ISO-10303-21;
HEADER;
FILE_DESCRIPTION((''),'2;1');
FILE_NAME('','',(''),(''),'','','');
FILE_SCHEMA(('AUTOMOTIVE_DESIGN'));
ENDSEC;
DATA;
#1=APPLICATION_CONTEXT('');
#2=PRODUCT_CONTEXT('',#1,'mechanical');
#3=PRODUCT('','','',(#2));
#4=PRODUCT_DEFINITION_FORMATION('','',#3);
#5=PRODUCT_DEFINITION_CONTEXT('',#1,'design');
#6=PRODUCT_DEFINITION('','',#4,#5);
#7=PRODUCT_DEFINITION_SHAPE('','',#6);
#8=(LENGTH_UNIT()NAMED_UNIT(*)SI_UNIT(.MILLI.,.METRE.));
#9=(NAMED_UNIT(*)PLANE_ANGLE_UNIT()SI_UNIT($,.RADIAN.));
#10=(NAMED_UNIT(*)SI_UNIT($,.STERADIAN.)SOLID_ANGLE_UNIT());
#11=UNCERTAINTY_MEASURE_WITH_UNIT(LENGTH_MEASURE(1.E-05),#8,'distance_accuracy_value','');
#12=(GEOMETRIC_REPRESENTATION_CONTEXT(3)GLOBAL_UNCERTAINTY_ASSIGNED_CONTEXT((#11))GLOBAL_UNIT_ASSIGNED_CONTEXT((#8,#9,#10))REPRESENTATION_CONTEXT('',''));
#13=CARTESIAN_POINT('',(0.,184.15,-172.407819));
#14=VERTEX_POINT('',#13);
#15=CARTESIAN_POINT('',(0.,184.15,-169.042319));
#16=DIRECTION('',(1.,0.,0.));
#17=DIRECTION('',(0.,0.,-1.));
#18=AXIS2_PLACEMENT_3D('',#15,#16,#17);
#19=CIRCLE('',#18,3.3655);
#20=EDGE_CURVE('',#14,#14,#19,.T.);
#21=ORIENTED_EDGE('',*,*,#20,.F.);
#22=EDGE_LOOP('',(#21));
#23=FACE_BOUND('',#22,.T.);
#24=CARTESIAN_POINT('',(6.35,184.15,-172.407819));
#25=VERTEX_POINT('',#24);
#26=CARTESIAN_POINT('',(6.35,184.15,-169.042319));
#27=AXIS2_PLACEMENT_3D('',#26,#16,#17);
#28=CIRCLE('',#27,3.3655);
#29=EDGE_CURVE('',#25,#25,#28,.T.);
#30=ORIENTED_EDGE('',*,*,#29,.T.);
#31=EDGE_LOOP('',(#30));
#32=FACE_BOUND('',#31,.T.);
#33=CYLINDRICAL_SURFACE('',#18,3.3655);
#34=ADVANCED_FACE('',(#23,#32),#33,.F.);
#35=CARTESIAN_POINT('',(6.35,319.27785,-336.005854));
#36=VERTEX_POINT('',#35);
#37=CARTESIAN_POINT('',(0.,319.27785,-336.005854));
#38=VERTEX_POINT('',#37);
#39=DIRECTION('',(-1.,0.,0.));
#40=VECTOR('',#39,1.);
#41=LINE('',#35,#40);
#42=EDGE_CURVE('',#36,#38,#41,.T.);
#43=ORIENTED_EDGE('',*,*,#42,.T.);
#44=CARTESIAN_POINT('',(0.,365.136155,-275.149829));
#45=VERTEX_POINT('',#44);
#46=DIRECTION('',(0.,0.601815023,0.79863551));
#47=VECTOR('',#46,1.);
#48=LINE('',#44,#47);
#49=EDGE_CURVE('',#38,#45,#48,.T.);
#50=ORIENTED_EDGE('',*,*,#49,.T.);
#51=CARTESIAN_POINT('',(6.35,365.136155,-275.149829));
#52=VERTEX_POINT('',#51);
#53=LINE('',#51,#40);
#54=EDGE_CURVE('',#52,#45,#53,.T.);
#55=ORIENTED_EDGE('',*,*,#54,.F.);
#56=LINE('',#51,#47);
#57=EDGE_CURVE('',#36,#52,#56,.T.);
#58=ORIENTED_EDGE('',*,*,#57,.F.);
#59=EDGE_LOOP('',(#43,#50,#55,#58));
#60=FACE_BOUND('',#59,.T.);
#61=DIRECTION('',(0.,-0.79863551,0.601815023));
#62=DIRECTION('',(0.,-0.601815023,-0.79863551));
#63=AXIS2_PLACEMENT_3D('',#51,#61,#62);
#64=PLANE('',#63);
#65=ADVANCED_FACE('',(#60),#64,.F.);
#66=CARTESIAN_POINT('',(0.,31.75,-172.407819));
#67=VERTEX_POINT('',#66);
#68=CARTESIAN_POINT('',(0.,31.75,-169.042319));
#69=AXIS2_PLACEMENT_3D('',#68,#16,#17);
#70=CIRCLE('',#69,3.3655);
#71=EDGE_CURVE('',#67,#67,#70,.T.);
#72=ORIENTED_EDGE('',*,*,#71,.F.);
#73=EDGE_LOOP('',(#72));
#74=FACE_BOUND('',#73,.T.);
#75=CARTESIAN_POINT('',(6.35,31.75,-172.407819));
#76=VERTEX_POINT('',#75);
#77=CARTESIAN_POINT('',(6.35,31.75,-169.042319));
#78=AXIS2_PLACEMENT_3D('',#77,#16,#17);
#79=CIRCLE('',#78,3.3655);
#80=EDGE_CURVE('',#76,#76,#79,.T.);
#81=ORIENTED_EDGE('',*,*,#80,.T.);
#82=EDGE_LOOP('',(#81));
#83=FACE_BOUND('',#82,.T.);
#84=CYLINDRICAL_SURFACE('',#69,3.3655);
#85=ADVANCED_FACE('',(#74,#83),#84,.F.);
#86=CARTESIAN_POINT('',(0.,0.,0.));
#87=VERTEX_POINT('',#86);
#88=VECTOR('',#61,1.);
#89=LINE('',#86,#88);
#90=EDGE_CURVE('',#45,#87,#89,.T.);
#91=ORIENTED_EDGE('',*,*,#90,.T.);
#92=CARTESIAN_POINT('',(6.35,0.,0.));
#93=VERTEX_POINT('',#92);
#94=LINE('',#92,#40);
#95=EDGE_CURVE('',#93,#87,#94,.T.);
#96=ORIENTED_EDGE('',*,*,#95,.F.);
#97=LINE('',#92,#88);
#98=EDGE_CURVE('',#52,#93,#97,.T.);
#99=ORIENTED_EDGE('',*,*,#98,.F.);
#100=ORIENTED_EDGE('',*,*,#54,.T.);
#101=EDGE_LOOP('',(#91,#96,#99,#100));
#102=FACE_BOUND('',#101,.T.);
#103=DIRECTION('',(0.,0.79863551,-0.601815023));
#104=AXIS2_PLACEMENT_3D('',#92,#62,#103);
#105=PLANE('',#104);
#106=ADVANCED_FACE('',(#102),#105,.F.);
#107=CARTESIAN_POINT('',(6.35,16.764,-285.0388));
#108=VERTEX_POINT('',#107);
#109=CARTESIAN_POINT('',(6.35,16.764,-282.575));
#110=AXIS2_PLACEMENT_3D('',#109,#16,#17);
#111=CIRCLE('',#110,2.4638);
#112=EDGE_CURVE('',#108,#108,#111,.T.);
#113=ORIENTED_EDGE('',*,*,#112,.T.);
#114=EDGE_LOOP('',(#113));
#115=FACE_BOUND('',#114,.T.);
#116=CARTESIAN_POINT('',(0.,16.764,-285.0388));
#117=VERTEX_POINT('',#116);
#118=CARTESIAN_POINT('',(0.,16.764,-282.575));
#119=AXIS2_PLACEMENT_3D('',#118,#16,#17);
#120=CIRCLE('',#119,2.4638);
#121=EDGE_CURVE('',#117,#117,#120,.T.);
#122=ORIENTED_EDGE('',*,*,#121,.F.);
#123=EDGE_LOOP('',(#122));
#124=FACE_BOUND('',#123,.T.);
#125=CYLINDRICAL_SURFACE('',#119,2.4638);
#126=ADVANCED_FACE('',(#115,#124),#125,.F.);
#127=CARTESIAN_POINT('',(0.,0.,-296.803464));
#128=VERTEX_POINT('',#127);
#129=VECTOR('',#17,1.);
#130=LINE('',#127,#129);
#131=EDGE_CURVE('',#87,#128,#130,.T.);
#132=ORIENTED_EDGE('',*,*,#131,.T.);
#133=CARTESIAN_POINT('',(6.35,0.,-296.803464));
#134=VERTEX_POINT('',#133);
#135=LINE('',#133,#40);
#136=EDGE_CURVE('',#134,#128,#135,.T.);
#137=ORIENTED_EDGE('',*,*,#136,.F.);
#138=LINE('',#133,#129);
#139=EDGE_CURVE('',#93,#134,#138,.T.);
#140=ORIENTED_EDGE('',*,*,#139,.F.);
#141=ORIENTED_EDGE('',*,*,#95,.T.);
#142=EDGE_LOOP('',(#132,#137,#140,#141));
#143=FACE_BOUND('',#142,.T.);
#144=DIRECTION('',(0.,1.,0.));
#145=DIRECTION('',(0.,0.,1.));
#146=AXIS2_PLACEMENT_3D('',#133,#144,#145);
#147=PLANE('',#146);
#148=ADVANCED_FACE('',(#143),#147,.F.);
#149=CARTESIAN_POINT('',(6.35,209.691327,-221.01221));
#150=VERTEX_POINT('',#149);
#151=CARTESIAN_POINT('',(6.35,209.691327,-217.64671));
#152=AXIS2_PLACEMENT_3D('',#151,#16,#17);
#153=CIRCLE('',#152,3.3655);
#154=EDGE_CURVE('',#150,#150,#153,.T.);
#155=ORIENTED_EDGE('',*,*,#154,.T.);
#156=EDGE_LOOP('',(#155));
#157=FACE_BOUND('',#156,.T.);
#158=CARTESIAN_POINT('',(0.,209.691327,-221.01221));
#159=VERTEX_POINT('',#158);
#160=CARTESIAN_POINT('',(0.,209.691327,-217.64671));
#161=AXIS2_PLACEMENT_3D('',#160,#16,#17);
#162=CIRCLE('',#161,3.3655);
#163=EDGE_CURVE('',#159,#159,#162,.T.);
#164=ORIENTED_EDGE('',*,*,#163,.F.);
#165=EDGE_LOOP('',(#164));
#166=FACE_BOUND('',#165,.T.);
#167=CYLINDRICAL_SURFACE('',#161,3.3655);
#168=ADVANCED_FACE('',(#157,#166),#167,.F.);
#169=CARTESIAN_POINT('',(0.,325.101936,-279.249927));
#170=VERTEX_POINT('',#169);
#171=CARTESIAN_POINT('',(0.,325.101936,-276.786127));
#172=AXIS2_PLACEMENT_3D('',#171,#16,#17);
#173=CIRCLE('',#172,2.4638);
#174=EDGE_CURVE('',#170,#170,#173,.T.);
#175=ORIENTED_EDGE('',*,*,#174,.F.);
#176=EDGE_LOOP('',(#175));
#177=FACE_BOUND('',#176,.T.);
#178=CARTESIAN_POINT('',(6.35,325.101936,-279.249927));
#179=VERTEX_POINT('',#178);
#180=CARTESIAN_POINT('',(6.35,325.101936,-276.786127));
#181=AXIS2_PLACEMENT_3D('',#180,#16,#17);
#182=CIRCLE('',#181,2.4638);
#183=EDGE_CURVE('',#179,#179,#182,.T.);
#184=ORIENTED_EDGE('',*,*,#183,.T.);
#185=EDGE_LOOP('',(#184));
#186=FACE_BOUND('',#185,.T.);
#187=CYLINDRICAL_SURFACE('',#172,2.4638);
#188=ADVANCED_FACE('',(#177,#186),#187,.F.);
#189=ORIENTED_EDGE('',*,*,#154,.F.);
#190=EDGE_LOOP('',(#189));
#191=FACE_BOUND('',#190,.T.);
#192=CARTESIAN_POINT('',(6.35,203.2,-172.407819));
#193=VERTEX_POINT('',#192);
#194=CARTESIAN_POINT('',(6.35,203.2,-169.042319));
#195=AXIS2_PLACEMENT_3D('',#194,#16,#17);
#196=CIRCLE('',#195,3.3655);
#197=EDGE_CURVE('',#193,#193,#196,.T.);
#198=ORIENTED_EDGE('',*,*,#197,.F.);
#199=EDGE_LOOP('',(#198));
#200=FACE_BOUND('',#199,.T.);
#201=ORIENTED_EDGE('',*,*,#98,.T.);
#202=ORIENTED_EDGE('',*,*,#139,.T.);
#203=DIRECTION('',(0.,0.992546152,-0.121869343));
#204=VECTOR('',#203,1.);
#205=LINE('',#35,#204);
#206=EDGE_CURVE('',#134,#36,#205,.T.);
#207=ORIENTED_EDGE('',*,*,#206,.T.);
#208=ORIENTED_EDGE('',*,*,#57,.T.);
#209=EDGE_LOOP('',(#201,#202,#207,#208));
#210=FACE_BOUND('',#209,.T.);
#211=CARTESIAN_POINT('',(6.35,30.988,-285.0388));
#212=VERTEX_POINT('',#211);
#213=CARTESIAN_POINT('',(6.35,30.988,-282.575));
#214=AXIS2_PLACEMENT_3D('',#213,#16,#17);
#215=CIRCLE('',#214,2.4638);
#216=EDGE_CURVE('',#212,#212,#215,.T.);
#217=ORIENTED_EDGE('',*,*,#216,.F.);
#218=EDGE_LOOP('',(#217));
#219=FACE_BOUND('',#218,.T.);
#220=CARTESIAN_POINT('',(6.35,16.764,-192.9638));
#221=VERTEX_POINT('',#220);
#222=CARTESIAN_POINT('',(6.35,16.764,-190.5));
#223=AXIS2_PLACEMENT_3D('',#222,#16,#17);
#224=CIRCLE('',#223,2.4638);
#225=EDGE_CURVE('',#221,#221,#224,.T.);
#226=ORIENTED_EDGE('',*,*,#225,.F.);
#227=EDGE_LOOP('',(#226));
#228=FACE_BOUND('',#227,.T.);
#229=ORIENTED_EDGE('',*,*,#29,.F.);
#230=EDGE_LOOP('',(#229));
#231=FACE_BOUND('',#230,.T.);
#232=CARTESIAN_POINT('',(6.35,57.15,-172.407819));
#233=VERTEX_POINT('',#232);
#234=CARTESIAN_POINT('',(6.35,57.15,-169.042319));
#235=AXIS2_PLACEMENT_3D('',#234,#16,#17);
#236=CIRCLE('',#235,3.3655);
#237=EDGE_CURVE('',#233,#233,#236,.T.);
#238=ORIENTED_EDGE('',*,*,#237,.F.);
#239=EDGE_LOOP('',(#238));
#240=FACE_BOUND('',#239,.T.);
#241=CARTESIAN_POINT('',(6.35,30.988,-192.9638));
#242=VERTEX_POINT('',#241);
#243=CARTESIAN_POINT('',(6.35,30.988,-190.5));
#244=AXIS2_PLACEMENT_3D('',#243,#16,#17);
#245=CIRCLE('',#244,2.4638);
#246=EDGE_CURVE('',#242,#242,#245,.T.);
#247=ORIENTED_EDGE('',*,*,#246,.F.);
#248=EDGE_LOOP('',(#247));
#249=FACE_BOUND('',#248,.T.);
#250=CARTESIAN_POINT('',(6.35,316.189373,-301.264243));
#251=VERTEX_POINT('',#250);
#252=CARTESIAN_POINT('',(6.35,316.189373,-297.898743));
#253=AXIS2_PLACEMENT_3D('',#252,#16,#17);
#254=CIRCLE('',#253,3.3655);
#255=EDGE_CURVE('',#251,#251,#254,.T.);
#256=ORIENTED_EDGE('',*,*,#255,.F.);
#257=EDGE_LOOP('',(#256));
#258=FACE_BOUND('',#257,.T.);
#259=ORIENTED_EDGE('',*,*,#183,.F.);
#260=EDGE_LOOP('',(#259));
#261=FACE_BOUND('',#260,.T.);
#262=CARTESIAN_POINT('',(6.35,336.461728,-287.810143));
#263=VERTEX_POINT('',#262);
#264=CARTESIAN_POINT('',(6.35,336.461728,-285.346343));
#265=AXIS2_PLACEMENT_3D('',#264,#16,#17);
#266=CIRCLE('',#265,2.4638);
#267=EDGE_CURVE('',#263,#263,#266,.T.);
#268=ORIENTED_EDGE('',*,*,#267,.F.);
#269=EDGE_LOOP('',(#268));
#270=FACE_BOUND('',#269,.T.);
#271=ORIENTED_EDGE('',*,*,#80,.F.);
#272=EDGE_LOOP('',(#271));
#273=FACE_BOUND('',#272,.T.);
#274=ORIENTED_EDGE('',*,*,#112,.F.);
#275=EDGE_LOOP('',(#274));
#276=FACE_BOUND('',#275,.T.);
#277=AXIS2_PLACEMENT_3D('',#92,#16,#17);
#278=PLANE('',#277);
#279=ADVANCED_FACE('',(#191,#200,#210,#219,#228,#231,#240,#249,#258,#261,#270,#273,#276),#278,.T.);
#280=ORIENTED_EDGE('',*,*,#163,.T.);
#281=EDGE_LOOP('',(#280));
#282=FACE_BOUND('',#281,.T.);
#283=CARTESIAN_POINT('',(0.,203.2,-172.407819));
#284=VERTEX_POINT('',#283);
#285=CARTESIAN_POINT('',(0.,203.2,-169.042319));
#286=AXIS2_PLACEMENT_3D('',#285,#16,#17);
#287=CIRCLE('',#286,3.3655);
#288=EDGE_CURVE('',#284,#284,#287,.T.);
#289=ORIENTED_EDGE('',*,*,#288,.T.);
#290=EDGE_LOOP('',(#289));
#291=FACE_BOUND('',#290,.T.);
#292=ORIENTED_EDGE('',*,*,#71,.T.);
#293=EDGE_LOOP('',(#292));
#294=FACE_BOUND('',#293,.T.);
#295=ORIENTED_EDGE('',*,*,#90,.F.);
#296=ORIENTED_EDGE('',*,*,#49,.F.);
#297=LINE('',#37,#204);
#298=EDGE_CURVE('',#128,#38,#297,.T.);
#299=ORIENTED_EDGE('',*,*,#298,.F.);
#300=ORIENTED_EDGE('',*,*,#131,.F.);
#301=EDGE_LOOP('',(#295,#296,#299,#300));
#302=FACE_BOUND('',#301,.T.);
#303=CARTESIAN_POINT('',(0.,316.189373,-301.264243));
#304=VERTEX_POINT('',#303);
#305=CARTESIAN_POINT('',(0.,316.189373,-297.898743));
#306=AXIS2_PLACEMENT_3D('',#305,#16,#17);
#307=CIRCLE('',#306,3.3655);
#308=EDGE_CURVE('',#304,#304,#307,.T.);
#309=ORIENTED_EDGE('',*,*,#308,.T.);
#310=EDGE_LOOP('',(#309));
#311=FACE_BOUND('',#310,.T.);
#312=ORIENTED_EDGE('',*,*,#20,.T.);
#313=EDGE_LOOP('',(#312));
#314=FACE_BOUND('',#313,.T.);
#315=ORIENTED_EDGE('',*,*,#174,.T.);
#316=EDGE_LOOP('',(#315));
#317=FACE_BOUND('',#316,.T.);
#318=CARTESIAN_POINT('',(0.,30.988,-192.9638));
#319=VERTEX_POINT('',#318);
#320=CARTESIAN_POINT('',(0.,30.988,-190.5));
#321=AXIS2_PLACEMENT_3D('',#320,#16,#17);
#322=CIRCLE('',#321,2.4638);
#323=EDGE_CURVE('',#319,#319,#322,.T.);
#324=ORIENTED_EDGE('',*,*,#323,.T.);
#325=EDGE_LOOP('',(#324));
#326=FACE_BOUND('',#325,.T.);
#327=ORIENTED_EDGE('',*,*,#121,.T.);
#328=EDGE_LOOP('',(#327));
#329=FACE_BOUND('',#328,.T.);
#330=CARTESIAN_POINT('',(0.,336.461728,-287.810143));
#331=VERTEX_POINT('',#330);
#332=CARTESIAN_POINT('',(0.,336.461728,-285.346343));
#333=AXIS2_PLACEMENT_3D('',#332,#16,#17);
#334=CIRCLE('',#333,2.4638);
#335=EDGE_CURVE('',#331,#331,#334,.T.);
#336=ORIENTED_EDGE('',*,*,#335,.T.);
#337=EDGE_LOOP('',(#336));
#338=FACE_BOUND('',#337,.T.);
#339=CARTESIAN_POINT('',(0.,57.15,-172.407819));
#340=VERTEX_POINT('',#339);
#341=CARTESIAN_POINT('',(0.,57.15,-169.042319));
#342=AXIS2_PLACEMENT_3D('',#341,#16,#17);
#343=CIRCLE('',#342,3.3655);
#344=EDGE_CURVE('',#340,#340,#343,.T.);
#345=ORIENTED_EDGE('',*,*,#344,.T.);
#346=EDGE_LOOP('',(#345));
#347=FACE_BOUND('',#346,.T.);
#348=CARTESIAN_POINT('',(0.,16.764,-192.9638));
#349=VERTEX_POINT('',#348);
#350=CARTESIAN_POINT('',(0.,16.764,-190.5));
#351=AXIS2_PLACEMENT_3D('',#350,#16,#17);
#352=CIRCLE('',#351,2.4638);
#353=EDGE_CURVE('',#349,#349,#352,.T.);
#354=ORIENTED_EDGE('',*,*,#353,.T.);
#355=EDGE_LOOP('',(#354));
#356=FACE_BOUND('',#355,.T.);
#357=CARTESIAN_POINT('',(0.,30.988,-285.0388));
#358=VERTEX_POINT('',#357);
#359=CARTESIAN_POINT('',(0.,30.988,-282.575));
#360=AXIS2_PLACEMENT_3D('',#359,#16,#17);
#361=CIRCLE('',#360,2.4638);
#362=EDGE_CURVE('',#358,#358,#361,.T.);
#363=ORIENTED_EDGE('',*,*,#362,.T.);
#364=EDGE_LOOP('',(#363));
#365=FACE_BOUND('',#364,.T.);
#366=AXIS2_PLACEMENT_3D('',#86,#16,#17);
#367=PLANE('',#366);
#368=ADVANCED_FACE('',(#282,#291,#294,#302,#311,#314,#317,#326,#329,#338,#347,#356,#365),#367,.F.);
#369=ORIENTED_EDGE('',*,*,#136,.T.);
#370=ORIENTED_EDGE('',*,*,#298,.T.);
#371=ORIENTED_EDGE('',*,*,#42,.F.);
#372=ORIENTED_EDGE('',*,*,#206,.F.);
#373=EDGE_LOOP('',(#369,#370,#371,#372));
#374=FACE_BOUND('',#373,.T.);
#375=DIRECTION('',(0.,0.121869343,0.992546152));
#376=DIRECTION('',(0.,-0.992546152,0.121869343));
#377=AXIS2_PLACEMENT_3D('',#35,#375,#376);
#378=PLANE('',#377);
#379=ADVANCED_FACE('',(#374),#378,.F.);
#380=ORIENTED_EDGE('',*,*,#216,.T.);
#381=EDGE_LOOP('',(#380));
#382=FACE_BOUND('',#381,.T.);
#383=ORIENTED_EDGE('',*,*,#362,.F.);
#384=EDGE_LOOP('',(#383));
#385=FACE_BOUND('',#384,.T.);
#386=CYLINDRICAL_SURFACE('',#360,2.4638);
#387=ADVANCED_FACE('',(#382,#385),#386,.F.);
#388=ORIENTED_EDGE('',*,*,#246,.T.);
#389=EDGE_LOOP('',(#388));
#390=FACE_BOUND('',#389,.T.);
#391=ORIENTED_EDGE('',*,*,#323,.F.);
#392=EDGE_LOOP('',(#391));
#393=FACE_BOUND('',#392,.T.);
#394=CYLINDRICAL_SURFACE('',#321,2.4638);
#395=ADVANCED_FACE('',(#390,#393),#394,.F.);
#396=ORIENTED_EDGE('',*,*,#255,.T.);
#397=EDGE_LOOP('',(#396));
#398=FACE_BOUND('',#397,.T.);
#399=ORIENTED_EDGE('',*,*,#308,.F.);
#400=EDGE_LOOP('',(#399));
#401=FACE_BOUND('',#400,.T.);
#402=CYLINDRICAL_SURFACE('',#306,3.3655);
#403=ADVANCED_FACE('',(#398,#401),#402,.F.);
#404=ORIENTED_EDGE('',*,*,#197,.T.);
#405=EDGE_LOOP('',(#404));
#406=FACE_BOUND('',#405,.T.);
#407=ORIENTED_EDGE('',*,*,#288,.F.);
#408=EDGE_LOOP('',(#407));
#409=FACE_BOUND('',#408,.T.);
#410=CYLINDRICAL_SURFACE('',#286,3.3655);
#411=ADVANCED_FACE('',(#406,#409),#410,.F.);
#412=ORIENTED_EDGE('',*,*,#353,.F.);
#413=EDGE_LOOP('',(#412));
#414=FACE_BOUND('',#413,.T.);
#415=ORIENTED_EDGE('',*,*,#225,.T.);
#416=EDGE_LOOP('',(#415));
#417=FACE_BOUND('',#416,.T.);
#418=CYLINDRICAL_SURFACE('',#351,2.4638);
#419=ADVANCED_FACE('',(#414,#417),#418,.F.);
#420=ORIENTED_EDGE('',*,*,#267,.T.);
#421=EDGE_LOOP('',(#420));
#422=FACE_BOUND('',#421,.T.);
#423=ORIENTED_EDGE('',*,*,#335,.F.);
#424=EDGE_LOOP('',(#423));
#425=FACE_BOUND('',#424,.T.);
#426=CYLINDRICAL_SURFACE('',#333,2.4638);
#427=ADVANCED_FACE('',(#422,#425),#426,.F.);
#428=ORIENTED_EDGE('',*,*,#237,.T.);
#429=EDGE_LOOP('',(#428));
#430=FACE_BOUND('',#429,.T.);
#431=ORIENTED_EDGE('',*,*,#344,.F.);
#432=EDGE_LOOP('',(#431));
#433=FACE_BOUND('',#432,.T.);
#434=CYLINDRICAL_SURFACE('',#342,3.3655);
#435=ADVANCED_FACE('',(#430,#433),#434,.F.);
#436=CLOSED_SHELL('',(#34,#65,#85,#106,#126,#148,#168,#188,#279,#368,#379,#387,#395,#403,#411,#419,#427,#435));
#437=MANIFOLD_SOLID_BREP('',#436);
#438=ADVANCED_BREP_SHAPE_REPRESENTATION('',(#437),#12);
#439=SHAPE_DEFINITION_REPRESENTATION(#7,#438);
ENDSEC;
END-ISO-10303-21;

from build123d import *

# Parameters (mm, degrees)
BOSS_EXTRUDE1_DEPTH = 6.35
SKETCH2_R           = 3.3655
CUT_EXTRUDE1_DEPTH  = 7.35
SKETCH3_R           = 2.4638
CUT_EXTRUDE2_DEPTH  = 7.35
SKETCH4_R           = 3.3655
CUT_EXTRUDE3_DEPTH  = 7.35


with BuildPart() as part:
    # Sketch1 → Boss-Extrude1 (new body)
    with BuildSketch(Plane(origin=(0, 0, 0), x_dir=(0, 0, -1), z_dir=(1, 0, 0))):
        Polygon((0, 0), (275.149828585, 365.136155194), (336.005854451, 319.277850429), (296.80346378, 0), align=None)
    extrude(amount=BOSS_EXTRUDE1_DEPTH)

    # Sketch2 → Cut-Extrude1 (cut, through all)
    with BuildSketch(Plane(origin=(6.35, 0, 0), x_dir=(0, 0, -1), z_dir=(1, 0, 0))):
        with Locations((169.042319417, 203.2)):
            Circle(SKETCH2_R)
        with Locations((169.042319417, 184.15)):
            Circle(SKETCH2_R)
        with Locations((169.042319417, 57.15)):
            Circle(SKETCH2_R)
        with Locations((169.042319417, 31.75)):
            Circle(SKETCH2_R)
    extrude(amount=-CUT_EXTRUDE1_DEPTH, mode=Mode.SUBTRACT)

    # Sketch3 → Cut-Extrude2 (cut, through all)
    with BuildSketch(Plane(origin=(6.35, 0, 0), x_dir=(0, 0, -1), z_dir=(1, 0, 0))):
        with Locations((190.5, 30.988)):
            Circle(SKETCH3_R)
        with Locations((190.5, 16.764)):
            Circle(SKETCH3_R)
        with Locations((282.575, 30.988)):
            Circle(SKETCH3_R)
        with Locations((282.575, 16.764)):
            Circle(SKETCH3_R)
        with Locations((285.346343492, 336.461727915)):
            Circle(SKETCH3_R)
        with Locations((276.786126603, 325.10193642)):
            Circle(SKETCH3_R)
    extrude(amount=-CUT_EXTRUDE2_DEPTH, mode=Mode.SUBTRACT)

    # Sketch4 → Cut-Extrude3 (cut, through all)
    with BuildSketch(Plane(origin=(6.35, 0, 0), x_dir=(0, 0, -1), z_dir=(1, 0, 0))):
        with Locations((297.898743163, 316.189372761)):
            Circle(SKETCH4_R)
        with Locations((217.646709826, 209.691327496)):
            Circle(SKETCH4_R)
    extrude(amount=-CUT_EXTRUDE3_DEPTH, mode=Mode.SUBTRACT)


solid = part.part
